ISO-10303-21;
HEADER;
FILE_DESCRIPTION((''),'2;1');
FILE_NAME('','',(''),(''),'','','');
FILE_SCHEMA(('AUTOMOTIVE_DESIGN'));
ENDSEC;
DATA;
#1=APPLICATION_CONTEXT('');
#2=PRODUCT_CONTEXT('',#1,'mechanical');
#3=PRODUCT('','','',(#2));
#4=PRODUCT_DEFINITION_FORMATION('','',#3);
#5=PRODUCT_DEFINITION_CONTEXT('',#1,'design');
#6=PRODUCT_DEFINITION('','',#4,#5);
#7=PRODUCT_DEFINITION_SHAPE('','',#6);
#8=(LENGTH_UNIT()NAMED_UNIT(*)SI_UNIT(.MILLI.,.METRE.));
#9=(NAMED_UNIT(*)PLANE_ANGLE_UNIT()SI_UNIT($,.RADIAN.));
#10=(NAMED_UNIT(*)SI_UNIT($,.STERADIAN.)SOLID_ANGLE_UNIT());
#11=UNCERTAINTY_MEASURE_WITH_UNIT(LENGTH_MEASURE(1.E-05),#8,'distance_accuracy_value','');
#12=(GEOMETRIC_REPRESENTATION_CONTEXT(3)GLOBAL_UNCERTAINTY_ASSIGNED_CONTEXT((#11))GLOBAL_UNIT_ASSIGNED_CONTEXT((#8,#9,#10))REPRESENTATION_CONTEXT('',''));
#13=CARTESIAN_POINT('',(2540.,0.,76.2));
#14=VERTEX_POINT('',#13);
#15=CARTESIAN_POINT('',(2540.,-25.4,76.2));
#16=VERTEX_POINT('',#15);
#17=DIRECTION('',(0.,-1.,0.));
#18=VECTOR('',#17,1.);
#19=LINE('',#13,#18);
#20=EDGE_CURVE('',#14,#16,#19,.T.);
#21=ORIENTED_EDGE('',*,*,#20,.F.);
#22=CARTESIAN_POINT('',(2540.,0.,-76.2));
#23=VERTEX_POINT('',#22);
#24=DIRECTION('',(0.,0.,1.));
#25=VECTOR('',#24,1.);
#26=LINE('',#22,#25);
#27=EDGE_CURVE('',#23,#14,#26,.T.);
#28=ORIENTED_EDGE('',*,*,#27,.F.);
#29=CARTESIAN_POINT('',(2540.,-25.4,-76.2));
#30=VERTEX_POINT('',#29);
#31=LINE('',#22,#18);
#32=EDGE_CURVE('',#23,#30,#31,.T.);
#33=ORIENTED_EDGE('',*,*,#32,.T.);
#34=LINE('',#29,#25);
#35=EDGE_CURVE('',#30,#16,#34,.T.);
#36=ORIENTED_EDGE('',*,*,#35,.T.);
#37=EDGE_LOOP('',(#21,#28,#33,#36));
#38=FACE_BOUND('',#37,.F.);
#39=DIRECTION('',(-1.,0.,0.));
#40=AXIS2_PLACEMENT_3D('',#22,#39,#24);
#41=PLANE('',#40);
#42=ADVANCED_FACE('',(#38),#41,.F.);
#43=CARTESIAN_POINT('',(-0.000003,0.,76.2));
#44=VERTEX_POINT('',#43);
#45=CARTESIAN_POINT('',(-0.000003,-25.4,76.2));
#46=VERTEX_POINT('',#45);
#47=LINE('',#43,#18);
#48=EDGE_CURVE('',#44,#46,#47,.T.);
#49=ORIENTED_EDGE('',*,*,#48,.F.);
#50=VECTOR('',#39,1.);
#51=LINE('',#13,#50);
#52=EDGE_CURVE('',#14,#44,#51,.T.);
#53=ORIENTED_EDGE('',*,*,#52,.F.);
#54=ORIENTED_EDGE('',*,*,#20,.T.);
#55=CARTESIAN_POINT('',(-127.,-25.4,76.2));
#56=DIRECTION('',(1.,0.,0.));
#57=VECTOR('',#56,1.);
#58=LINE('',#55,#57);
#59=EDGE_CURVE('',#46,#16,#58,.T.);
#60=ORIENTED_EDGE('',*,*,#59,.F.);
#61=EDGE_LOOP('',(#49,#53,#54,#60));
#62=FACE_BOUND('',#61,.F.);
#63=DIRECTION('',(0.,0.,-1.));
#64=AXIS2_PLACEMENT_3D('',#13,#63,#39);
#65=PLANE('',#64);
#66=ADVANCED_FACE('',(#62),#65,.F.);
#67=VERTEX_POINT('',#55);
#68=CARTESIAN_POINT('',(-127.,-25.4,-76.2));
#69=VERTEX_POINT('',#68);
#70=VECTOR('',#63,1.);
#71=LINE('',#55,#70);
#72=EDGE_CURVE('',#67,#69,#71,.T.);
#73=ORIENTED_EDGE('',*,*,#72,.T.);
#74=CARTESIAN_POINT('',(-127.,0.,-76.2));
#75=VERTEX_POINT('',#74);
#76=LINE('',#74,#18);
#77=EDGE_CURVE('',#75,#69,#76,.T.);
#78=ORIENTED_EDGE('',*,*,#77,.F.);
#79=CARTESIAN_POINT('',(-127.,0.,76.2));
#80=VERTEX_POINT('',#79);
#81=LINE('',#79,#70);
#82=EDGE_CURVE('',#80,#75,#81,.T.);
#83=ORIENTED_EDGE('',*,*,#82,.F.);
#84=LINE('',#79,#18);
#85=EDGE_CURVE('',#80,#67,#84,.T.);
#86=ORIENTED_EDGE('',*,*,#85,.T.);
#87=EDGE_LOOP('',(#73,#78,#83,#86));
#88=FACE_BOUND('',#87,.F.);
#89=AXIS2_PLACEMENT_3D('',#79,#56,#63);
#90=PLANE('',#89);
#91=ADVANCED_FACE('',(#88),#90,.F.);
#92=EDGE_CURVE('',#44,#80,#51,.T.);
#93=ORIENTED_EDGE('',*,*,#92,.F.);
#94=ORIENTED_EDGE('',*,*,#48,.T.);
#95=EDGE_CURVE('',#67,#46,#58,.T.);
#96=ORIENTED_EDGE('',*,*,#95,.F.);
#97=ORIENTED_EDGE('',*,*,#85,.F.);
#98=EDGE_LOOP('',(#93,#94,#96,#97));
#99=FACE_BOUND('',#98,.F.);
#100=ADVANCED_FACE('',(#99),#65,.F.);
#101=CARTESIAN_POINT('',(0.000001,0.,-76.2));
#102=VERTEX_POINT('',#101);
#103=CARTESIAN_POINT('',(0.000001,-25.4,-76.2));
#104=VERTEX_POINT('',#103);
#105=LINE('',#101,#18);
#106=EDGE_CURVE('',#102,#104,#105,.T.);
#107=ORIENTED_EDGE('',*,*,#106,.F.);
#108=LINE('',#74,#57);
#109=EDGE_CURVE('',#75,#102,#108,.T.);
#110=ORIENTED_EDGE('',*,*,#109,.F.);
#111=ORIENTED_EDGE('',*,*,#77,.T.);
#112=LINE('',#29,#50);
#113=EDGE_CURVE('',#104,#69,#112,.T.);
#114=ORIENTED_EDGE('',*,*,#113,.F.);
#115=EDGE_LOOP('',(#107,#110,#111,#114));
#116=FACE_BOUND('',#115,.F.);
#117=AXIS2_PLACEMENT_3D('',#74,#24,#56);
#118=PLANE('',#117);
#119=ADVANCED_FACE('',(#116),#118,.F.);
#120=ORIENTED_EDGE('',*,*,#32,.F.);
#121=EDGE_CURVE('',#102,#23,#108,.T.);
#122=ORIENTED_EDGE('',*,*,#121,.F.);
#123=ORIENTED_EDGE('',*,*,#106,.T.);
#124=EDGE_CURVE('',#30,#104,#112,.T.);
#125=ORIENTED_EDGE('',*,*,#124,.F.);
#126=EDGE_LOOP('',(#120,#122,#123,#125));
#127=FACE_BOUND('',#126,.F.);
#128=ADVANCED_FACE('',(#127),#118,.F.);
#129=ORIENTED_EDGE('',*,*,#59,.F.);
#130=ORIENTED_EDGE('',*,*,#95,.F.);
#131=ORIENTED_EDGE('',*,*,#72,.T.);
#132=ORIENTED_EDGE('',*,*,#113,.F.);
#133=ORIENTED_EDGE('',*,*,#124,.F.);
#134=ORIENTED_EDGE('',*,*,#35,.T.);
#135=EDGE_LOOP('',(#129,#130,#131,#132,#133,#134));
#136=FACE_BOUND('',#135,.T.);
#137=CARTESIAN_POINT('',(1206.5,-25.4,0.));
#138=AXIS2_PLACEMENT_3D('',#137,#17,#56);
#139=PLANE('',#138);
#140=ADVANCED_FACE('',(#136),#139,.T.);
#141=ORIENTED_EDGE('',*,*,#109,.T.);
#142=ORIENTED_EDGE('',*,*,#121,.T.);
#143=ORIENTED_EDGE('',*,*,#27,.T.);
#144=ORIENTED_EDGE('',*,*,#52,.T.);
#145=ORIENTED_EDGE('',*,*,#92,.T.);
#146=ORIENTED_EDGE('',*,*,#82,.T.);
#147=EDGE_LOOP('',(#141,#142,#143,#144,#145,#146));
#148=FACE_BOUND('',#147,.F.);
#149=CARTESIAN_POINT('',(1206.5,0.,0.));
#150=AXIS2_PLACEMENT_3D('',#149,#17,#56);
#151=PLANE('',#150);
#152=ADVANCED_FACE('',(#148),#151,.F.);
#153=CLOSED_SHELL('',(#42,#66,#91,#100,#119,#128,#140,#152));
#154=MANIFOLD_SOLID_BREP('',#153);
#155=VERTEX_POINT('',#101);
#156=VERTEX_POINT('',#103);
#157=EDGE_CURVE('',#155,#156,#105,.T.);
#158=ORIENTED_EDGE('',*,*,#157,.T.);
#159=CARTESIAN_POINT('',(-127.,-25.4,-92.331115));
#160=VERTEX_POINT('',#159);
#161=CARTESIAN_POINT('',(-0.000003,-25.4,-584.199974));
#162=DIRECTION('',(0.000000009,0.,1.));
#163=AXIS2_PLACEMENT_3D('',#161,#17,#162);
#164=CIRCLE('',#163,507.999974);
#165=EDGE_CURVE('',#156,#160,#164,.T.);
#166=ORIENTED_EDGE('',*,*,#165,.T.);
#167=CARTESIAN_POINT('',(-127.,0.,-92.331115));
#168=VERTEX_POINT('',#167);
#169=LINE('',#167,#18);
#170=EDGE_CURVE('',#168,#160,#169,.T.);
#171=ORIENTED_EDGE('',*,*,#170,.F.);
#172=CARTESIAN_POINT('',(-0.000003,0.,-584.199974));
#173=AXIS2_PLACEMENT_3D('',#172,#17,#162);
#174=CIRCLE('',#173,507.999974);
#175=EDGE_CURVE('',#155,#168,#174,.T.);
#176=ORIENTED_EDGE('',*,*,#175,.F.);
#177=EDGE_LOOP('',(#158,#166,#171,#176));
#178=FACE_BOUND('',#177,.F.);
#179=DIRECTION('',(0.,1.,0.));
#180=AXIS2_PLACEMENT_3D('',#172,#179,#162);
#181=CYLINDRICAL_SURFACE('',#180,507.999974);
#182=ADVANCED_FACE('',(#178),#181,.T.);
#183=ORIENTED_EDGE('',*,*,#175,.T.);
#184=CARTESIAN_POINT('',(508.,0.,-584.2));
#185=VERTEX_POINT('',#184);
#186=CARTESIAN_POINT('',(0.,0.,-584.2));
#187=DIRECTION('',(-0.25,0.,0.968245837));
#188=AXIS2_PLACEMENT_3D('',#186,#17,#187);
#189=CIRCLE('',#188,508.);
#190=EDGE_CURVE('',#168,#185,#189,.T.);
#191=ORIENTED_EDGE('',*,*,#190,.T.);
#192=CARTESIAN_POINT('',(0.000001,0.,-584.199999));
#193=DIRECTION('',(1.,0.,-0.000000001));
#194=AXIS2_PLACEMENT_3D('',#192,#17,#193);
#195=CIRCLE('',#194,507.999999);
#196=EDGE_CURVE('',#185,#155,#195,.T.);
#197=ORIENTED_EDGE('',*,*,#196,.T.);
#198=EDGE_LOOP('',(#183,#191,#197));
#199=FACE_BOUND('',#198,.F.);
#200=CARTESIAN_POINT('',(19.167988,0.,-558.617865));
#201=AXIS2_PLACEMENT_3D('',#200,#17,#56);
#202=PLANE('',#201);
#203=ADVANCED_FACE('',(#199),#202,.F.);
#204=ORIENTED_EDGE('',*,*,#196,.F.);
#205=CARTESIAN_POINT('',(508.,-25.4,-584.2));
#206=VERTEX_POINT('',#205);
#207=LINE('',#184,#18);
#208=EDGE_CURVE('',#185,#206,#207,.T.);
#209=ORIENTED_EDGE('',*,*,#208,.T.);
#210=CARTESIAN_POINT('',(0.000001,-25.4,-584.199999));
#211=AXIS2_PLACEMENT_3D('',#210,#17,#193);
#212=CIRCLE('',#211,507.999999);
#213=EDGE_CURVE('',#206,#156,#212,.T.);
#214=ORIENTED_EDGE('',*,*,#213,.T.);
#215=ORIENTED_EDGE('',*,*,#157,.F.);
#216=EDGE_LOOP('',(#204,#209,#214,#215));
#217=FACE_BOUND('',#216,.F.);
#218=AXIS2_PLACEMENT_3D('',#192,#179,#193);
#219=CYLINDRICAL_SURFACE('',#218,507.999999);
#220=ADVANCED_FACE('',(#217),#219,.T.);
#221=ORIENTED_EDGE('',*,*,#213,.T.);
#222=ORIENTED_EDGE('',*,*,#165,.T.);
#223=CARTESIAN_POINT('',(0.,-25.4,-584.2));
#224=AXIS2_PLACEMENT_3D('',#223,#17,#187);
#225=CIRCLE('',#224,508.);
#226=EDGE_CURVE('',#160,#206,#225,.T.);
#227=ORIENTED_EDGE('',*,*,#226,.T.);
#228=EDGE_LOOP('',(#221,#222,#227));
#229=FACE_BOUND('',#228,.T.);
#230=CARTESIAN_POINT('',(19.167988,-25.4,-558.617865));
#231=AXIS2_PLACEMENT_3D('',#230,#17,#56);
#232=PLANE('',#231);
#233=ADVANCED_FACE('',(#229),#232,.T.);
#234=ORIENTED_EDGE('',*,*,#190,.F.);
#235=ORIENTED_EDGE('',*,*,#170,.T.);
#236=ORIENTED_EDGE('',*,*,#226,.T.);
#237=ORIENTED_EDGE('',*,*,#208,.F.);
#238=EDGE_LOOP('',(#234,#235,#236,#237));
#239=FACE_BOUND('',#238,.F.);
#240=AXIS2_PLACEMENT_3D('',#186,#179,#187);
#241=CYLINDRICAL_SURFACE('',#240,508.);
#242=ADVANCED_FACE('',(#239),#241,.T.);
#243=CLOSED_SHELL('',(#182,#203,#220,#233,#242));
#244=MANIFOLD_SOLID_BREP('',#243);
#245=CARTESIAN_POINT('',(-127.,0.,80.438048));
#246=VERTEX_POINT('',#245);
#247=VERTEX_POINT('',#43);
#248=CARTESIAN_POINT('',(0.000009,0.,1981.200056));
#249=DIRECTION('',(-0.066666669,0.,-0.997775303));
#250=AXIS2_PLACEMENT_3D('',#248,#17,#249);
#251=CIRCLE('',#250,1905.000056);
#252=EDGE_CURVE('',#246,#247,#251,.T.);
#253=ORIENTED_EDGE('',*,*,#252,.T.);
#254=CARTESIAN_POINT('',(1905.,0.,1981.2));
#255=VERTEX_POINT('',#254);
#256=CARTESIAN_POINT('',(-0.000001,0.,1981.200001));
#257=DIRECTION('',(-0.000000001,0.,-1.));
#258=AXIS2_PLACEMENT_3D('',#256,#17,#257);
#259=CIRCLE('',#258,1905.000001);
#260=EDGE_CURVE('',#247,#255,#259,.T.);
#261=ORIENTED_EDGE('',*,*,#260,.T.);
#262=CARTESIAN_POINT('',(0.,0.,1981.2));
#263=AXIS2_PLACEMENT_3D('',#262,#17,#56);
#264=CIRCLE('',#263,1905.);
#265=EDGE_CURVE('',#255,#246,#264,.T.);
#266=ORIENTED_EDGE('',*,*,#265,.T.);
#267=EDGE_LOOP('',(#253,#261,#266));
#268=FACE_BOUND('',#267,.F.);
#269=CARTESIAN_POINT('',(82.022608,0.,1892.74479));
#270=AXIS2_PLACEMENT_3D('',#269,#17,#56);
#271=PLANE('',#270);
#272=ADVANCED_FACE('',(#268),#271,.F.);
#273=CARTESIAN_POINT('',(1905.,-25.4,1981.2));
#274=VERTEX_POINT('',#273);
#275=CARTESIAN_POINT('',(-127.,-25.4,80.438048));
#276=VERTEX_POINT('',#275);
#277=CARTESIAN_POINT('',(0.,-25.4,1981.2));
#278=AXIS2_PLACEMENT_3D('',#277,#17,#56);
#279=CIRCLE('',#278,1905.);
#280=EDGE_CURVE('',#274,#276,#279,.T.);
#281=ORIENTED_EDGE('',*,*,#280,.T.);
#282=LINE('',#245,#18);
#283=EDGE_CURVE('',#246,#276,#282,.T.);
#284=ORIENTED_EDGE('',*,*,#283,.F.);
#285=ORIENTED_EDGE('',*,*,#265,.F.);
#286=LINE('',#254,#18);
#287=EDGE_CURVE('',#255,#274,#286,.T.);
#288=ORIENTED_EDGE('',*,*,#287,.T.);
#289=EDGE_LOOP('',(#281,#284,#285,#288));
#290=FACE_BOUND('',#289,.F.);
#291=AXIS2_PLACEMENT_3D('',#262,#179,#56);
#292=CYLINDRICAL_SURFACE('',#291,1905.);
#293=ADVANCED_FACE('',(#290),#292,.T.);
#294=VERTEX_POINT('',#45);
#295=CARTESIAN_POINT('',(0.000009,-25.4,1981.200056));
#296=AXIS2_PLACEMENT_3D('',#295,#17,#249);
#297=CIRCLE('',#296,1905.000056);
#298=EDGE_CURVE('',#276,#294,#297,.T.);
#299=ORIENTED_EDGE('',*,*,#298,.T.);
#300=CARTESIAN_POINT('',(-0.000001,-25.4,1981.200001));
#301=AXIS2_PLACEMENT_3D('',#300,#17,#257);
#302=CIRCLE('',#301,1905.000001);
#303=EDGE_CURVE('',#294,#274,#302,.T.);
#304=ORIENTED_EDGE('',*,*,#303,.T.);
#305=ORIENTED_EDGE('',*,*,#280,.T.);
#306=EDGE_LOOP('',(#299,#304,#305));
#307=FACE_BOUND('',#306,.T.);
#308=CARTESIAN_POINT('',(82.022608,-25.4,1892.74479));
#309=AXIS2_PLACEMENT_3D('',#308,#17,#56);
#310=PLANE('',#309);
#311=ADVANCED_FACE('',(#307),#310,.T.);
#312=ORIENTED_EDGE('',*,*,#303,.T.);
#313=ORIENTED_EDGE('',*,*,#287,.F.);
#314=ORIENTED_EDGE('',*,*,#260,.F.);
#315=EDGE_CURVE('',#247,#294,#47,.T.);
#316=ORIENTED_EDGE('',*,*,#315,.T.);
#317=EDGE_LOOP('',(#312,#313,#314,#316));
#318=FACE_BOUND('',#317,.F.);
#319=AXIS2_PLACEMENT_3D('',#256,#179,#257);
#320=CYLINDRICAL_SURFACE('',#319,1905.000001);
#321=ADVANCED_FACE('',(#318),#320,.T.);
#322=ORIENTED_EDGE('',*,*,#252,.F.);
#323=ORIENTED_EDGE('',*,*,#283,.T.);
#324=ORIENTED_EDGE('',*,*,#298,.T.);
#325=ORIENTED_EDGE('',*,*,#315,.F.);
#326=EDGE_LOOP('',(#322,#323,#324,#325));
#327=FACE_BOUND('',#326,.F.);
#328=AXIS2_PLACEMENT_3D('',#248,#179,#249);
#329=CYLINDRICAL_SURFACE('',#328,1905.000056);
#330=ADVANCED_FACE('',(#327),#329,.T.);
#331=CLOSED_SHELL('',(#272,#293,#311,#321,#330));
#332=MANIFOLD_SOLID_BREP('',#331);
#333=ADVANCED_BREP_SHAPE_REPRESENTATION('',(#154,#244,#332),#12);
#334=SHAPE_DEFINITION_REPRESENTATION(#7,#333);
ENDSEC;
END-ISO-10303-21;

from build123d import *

# Parameters (mm, degrees)
F1_DEPTH = 25.4


with BuildPart() as f1:
    # F0 (on Front) → F1 (new body)
    with BuildSketch(Plane.XZ):
        with BuildLine():
            ThreePointArc((-3e-06, 76.2), (1347.038417, 634.161581), (1905, 1981.2))
            ThreePointArc((1905, 1981.2), (-1301.362747, 3372.415296), (-127, 80.438048))
            ThreePointArc((-127, 80.438048), (-63.535348, 77.259807), (-3e-06, 76.2))
        make_face()
        Polygon((2540, 76.2), (-3e-06, 76.2), (-127, 76.2), (-127, -76.2), (1e-06, -76.2), (2540, -76.2), align=None)
        with BuildLine():
            ThreePointArc((508, -584.2), (359.210245, -224.989755), (1e-06, -76.2))
            ThreePointArc((1e-06, -76.2), (-64.01018, -80.248914), (-127, -92.331115))
            ThreePointArc((-127, -92.331115), (-311.085197, -985.809263), (508, -584.2))
        make_face()
    extrude(amount=F1_DEPTH)


solid = f1.part
